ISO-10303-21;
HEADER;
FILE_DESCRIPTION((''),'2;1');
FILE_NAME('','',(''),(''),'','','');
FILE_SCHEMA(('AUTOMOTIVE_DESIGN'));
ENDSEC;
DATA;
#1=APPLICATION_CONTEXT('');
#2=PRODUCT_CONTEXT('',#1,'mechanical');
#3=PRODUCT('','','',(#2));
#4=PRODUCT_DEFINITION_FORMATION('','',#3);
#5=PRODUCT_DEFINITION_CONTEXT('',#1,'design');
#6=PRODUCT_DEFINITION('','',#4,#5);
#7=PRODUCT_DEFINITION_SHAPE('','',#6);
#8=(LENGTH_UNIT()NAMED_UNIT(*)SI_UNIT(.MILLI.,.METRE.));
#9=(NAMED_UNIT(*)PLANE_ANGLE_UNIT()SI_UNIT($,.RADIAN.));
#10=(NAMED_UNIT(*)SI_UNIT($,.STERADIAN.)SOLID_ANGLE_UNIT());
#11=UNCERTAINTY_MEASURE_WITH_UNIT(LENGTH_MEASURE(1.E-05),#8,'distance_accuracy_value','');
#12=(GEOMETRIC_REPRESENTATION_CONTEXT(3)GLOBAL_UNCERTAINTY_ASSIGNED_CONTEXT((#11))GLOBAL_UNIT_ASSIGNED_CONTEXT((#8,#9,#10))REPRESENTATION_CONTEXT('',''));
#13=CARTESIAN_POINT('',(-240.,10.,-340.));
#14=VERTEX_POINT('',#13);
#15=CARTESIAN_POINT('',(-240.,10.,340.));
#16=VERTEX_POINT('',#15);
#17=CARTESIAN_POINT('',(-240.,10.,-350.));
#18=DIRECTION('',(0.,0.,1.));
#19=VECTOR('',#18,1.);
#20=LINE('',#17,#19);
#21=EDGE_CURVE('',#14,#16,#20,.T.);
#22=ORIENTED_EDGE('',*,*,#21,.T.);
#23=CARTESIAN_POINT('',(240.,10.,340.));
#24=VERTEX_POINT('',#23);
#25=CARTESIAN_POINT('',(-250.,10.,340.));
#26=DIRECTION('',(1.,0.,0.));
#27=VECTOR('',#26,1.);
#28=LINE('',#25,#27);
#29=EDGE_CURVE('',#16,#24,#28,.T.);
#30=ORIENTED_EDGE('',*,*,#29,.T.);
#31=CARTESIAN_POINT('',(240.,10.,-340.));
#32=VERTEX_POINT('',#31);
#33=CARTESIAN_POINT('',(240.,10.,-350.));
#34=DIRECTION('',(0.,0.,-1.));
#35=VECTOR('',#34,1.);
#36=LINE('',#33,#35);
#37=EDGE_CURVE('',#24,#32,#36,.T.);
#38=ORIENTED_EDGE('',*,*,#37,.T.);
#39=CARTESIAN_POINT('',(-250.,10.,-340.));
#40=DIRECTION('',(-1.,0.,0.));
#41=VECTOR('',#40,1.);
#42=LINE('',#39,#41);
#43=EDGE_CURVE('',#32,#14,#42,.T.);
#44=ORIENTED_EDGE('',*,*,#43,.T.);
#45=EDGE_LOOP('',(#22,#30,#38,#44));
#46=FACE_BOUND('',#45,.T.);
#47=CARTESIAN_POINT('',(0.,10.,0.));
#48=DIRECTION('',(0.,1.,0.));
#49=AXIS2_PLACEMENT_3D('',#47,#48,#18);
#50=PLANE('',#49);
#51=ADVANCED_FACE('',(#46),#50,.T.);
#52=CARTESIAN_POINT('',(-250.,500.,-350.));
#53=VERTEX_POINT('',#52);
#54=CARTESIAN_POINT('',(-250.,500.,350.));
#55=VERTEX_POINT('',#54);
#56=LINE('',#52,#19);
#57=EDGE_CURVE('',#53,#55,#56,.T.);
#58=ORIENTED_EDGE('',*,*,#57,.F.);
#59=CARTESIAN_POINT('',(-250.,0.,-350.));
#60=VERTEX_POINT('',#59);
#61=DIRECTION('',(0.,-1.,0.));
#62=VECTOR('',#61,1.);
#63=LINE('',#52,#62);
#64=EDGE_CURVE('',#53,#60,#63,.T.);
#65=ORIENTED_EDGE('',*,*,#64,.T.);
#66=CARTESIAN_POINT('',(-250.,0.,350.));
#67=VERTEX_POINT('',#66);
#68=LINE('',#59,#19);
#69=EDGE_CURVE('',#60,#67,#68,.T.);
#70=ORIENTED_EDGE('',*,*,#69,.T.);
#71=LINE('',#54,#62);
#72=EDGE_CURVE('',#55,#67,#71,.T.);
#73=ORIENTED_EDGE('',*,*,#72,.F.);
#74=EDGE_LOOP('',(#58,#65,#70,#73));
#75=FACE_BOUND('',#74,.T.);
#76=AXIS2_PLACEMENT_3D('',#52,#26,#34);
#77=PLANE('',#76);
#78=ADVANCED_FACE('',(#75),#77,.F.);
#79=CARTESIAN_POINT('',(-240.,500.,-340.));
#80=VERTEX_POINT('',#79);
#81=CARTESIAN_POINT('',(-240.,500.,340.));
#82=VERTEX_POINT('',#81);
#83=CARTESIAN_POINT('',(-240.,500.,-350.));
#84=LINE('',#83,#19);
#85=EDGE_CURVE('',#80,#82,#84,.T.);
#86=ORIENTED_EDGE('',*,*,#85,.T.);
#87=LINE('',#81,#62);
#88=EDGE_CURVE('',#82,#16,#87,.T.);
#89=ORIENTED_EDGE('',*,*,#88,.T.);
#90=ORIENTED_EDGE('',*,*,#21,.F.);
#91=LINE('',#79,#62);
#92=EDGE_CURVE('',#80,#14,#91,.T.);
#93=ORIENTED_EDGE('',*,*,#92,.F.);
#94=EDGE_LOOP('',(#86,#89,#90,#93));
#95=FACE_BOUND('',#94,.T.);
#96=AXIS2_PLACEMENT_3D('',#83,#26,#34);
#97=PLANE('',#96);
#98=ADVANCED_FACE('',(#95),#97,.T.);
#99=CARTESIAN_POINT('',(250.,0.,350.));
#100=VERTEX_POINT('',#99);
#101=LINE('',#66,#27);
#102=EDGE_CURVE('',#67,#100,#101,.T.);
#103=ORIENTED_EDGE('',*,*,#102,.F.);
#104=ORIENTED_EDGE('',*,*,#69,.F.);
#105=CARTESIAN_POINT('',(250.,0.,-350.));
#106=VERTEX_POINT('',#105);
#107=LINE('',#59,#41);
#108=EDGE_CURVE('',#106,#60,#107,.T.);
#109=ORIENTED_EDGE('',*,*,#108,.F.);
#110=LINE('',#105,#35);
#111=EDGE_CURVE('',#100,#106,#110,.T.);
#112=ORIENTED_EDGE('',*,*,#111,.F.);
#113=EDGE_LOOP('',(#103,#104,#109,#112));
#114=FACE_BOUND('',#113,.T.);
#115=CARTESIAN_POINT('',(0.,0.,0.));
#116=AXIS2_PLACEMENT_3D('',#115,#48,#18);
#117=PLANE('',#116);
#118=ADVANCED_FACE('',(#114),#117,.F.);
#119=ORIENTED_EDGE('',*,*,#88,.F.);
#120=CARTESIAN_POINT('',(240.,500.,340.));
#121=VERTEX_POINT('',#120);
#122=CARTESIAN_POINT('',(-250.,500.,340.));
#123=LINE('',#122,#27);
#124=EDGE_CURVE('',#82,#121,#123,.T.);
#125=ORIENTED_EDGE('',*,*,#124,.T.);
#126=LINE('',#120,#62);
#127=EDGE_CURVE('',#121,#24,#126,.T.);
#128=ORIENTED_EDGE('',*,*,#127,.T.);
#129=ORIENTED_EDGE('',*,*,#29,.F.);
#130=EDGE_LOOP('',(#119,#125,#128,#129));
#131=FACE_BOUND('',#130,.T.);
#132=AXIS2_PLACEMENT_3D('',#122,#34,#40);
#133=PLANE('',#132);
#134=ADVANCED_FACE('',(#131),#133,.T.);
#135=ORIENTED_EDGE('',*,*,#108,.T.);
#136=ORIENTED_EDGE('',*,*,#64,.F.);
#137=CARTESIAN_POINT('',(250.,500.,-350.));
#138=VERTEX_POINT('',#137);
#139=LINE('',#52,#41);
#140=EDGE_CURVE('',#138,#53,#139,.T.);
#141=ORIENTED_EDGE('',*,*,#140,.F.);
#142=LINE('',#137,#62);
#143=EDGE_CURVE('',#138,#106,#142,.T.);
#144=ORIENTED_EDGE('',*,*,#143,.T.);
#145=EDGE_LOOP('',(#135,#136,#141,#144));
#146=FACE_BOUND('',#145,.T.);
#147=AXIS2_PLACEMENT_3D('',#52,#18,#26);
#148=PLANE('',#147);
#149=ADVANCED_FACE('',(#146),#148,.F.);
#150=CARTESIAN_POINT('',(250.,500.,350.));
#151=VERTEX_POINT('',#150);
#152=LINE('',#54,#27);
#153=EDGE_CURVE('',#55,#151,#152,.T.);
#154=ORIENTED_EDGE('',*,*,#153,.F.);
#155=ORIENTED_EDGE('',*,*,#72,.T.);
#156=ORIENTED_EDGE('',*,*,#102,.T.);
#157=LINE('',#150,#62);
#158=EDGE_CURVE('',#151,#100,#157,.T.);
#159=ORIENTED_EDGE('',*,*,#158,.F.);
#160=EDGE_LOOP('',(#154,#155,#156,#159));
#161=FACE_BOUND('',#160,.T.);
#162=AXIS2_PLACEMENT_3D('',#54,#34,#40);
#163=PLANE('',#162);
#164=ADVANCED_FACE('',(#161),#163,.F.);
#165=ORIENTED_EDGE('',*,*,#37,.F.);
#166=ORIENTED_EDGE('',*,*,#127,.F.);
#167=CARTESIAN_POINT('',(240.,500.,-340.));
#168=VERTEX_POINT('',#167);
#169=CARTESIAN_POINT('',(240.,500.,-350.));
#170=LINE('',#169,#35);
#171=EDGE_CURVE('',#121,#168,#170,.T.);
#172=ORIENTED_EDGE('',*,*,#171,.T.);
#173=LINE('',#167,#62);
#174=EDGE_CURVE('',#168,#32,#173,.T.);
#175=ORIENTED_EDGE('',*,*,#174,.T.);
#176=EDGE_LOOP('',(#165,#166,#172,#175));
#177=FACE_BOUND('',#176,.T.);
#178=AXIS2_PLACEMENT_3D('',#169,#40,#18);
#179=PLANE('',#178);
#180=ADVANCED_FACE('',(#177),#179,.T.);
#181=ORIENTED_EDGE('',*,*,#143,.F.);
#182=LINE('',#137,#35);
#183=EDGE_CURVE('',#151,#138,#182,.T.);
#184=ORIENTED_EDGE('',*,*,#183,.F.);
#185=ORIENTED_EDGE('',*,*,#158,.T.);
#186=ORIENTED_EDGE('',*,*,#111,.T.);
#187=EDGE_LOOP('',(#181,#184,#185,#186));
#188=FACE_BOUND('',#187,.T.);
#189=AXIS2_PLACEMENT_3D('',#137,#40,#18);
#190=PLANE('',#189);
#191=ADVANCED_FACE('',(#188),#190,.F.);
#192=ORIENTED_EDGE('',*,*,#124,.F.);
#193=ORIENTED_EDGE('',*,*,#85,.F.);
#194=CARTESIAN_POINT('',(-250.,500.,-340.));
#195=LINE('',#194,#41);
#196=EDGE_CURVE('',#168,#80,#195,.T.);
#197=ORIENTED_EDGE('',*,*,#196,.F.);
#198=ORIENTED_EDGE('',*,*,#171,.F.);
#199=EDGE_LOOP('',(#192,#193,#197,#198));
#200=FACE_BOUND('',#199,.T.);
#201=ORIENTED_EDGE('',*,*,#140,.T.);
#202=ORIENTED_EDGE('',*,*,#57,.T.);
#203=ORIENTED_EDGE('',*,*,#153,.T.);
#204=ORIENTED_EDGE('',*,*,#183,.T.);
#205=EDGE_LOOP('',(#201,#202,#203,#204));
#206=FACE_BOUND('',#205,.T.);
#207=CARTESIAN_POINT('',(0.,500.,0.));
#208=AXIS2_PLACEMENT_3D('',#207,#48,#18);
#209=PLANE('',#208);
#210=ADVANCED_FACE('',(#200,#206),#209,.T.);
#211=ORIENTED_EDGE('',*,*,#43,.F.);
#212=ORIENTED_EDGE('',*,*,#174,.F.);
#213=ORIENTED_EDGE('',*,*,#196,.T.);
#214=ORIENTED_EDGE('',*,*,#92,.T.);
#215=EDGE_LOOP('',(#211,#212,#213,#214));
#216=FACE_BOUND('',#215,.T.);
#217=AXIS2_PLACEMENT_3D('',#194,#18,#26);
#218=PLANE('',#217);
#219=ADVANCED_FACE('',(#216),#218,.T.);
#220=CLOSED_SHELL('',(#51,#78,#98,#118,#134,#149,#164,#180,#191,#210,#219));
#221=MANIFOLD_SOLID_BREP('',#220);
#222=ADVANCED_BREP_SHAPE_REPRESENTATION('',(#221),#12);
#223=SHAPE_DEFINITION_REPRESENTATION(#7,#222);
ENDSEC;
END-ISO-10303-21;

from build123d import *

# Parameters (mm, degrees)
SKETCH1_W           = 500
SKETCH1_H           = 700
BOSS_EXTRUDE1_DEPTH = 500
SHELL1_T            = -10


with BuildPart() as part:
    # Sketch1 → Boss-Extrude1 (new body)
    with BuildSketch(Plane(origin=(0, 0, 0), x_dir=(1, 0, 0), z_dir=(0, 1, 0))):
        Rectangle(SKETCH1_W, SKETCH1_H)
    extrude(amount=BOSS_EXTRUDE1_DEPTH)

    # Shell1
    shell1_openings = [part.faces().sort_by_distance(p)[0] for p in [
        (0, 500, 0),
    ]]
    offset(amount=SHELL1_T, openings=shell1_openings, kind=Kind.INTERSECTION)


solid = part.part
